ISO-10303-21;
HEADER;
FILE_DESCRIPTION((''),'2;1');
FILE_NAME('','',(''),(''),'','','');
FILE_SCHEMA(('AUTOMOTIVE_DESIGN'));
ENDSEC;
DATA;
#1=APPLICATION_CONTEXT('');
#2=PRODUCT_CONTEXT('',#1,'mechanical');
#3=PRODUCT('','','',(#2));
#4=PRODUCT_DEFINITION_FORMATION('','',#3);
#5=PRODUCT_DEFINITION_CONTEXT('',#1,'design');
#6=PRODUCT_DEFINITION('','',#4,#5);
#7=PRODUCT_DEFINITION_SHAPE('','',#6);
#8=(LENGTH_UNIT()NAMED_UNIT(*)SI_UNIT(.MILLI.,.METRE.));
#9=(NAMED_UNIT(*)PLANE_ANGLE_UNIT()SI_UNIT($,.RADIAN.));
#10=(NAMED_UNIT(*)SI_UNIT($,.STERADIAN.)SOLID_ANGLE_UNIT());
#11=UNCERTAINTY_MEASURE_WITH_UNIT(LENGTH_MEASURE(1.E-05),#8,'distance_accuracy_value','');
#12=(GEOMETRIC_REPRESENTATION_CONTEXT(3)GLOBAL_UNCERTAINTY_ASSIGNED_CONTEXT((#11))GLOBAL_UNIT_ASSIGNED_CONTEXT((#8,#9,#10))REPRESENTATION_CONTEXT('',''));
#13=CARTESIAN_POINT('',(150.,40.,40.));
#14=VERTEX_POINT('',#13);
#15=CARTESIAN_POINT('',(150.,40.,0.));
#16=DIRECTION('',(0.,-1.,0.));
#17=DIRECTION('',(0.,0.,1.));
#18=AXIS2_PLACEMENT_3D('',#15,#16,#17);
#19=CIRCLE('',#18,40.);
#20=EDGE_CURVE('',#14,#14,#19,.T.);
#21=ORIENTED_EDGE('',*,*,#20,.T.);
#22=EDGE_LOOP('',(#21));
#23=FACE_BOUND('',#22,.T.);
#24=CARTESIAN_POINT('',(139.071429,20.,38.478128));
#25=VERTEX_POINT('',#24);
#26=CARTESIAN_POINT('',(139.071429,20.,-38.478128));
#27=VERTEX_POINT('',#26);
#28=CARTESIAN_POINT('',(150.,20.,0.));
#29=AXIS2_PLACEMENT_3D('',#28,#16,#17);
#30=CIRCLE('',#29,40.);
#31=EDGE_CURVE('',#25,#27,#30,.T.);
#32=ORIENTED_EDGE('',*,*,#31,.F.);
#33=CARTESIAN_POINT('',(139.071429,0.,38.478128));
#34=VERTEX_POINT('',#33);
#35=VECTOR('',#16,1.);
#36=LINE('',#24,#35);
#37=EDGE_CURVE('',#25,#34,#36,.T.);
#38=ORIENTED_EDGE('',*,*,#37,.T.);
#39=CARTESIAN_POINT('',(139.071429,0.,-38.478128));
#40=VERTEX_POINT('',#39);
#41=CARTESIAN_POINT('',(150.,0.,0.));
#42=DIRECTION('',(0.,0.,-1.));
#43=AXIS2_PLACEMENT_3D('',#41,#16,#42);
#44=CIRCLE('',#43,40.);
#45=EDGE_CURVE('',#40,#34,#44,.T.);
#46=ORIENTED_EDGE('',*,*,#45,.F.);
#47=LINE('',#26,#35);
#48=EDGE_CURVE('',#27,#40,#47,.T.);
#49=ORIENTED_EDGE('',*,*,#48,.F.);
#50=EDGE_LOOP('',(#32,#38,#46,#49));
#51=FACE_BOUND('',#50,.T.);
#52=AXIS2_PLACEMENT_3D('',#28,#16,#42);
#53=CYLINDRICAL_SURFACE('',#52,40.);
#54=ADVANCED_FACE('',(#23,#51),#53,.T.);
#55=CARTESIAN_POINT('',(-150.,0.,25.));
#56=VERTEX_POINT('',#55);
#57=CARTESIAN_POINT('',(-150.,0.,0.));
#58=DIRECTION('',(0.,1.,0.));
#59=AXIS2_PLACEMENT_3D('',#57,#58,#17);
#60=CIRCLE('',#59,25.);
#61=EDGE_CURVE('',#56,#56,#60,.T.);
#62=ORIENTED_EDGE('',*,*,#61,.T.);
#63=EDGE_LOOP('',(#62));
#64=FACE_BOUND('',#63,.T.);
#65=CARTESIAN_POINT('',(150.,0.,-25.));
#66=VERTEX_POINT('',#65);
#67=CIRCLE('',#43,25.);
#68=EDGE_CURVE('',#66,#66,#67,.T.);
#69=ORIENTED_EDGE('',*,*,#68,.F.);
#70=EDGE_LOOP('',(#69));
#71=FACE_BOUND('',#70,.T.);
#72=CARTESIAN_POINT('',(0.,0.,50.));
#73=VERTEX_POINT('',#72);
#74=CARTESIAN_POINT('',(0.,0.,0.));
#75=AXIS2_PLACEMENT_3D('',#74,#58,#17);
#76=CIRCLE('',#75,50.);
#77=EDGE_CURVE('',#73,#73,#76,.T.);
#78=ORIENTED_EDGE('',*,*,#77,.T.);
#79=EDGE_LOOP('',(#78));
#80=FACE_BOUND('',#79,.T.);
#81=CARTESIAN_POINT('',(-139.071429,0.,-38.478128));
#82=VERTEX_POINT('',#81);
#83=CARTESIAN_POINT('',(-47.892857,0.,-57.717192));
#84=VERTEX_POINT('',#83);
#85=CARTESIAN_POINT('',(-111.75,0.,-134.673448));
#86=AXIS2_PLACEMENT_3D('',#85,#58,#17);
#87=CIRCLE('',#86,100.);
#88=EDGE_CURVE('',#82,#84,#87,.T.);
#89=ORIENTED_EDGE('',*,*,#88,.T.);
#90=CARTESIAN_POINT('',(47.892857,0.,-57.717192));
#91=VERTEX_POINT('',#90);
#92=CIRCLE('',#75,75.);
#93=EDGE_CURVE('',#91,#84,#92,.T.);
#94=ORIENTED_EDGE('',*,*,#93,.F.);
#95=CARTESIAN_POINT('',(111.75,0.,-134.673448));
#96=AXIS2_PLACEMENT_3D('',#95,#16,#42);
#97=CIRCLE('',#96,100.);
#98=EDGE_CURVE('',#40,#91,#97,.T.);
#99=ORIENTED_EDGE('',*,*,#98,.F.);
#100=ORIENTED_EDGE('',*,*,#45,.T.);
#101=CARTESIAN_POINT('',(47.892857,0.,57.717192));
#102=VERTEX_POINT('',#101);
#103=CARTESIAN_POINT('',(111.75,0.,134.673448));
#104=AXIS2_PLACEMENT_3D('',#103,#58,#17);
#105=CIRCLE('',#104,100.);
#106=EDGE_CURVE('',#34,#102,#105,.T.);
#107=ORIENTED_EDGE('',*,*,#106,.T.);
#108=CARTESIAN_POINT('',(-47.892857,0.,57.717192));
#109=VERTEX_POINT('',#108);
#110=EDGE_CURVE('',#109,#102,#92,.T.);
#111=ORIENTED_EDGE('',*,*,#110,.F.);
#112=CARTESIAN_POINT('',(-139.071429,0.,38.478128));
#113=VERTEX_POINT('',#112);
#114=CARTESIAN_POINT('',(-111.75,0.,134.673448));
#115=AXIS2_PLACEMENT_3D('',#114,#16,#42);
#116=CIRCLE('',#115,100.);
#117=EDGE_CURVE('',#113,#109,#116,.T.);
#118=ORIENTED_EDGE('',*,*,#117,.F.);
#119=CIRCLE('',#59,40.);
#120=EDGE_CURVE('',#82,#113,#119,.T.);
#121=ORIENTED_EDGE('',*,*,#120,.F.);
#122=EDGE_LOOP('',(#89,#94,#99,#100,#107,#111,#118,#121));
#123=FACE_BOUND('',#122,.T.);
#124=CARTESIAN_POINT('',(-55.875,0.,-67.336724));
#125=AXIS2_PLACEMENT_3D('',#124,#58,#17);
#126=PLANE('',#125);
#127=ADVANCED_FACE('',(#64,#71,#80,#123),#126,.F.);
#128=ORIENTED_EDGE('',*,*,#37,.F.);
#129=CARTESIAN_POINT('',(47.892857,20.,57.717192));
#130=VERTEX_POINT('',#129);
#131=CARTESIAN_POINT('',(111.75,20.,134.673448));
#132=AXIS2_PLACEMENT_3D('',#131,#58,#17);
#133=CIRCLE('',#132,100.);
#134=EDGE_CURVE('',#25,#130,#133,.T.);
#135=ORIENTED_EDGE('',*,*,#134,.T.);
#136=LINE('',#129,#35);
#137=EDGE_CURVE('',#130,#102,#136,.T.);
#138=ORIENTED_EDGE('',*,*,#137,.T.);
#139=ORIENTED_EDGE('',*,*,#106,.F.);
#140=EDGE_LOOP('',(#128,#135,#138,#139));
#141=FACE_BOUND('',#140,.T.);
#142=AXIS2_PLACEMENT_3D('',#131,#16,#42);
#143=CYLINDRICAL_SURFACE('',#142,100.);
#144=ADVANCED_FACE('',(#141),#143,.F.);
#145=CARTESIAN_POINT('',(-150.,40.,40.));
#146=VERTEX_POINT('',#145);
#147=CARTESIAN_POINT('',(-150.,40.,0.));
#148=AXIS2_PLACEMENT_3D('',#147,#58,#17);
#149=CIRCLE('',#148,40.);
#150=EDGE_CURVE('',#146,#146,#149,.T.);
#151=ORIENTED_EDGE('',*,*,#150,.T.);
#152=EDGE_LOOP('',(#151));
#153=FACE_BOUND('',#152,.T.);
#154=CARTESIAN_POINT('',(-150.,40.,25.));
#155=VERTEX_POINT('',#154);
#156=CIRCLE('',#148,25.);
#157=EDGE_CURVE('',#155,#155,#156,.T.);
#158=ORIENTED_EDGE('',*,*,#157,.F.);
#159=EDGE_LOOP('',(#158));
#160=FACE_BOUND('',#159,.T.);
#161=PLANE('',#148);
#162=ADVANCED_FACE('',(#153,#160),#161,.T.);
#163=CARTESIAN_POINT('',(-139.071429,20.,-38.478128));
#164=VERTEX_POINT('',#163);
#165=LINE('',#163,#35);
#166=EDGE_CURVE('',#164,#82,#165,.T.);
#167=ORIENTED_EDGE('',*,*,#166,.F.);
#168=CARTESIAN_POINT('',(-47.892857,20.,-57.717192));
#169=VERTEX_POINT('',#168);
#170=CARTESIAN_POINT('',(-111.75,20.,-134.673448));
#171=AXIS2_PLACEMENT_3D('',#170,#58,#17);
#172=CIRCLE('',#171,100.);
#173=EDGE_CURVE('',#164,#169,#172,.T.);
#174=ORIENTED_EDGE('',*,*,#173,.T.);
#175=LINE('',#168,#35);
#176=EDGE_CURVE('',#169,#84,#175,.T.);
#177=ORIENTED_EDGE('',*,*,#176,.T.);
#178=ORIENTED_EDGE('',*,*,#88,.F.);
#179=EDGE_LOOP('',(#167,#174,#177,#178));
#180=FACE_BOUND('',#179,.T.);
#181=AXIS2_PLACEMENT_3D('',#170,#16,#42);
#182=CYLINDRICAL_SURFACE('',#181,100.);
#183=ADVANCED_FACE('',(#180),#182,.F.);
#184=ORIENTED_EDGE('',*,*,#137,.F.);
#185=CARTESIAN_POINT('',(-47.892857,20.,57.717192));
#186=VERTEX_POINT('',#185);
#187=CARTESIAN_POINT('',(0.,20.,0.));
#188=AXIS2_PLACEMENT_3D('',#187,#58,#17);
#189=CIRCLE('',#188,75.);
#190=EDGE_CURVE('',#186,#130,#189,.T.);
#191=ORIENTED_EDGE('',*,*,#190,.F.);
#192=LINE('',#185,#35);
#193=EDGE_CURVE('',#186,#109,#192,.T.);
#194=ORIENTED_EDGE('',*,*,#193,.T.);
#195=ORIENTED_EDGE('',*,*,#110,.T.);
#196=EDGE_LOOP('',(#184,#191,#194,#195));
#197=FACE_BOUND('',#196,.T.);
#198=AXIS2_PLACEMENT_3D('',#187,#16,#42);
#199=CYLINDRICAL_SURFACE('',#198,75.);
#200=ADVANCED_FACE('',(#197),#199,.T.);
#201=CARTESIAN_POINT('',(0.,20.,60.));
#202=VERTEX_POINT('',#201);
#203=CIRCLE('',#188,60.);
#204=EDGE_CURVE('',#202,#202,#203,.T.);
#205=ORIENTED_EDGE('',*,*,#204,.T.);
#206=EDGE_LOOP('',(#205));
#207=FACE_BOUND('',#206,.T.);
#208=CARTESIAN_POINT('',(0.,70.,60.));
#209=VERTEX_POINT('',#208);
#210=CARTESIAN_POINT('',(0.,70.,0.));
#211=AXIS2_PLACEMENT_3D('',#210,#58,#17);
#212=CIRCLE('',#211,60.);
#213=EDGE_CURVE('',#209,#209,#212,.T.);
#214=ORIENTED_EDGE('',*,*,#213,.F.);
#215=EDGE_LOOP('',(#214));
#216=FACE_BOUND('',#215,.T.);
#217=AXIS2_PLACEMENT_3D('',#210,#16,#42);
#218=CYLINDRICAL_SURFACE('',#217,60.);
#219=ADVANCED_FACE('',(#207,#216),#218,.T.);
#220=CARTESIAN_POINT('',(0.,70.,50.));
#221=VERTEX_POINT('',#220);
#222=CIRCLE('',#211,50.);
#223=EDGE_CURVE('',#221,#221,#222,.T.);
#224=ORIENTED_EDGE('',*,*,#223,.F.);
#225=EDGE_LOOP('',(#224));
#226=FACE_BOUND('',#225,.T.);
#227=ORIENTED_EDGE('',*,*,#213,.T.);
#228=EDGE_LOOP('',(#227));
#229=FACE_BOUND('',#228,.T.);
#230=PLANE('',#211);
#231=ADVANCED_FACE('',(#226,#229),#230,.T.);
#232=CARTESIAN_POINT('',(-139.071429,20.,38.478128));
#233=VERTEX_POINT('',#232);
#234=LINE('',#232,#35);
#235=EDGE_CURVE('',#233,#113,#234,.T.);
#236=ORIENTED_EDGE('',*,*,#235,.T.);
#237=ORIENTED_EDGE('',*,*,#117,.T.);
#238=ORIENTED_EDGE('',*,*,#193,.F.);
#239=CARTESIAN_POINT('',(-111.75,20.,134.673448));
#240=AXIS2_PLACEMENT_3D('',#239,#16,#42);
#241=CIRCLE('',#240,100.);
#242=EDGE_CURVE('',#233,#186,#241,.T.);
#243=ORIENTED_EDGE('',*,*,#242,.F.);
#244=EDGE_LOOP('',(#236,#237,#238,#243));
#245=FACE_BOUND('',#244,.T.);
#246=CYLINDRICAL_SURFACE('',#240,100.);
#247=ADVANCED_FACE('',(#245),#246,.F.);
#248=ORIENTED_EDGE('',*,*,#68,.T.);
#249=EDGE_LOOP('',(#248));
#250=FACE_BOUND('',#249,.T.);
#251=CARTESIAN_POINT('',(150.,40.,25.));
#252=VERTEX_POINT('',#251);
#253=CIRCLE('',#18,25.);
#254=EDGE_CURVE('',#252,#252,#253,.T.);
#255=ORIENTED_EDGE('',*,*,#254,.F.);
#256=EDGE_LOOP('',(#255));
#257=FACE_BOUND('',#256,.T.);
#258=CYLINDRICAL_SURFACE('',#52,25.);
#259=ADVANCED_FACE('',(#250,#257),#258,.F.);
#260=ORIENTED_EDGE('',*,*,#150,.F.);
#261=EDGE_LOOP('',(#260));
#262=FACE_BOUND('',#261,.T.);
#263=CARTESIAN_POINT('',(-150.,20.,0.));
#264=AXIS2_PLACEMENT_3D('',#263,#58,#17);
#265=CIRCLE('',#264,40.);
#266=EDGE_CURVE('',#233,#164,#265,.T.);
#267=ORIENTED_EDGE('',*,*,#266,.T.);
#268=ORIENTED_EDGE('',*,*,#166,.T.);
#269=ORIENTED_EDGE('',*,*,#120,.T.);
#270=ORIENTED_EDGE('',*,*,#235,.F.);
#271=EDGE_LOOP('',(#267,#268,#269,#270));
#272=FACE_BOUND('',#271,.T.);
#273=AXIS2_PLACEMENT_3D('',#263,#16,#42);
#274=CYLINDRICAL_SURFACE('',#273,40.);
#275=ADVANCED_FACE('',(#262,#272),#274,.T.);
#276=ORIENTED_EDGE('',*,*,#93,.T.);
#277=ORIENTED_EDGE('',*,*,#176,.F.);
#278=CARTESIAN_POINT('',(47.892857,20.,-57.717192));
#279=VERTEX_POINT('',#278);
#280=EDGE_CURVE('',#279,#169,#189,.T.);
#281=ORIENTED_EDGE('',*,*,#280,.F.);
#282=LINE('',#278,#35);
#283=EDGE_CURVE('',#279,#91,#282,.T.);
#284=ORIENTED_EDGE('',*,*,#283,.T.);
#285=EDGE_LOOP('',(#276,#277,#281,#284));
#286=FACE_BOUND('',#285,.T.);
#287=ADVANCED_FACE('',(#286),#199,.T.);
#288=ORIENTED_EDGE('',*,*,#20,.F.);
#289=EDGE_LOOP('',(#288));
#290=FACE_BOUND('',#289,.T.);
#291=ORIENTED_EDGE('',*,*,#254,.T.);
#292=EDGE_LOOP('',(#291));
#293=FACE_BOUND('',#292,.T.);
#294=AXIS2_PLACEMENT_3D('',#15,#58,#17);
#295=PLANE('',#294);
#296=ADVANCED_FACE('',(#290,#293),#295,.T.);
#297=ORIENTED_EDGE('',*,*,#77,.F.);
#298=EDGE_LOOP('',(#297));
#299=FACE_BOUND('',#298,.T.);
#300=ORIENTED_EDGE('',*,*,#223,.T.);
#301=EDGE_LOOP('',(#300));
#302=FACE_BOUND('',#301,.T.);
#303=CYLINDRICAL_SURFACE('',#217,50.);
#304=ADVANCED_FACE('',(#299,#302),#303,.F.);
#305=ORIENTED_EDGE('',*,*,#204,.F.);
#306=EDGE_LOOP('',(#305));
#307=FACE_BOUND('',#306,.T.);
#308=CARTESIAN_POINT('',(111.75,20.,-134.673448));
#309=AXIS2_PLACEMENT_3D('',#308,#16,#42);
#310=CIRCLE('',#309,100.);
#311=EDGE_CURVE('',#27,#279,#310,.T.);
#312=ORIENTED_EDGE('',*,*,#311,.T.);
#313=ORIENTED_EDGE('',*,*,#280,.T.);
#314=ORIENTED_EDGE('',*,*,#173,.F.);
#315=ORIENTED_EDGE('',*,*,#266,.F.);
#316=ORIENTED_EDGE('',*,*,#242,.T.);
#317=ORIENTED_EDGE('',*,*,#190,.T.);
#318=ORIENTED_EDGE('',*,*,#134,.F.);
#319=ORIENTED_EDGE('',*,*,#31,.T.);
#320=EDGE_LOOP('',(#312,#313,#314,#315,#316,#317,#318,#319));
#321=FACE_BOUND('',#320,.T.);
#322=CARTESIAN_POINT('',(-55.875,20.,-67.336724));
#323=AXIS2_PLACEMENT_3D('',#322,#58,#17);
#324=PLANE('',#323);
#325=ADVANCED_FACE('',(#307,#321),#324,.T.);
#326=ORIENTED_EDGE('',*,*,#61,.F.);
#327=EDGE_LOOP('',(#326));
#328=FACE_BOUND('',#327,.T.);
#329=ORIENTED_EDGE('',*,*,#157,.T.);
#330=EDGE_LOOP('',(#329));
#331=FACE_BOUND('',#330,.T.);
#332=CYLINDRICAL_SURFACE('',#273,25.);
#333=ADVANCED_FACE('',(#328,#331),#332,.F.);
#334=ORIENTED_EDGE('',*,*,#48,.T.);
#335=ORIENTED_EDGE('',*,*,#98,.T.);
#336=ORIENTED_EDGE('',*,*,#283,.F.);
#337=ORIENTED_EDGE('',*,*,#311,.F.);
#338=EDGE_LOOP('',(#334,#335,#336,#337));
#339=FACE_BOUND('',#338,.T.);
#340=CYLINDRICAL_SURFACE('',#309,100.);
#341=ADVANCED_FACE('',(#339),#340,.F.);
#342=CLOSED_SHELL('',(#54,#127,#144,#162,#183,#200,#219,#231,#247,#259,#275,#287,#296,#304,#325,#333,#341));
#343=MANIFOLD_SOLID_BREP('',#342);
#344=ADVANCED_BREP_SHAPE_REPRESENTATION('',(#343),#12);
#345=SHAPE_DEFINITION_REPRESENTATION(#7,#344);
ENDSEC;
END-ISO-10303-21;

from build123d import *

# Parameters (mm, degrees)
SKETCH1_R           = 60
SKETCH1_R_2         = 25
BOSS_EXTRUDE2_DEPTH = 20
SKETCH1_7_R         = 60
SKETCH1_7_R_2       = 50
BOSS_EXTRUDE3_DEPTH = 70
SKETCH3_R           = 40
SKETCH3_R_2         = 25
BOSS_EXTRUDE4_DEPTH = 20


with BuildPart() as part:
    # Sketch1 → Boss-Extrude2 (new body)
    with BuildSketch(Plane(origin=(0, 0, 0), x_dir=(1, 0, 0), z_dir=(0, 1, 0))):
        with BuildLine():
            ThreePointArc((-139.071428571, 38.478127898), (-190, 0), (-139.071428571, -38.478127898))
            ThreePointArc((-139.071428571, -38.478127898), (-91.104177178, -36.827906099), (-47.892857143, -57.717191847))
            ThreePointArc((-47.892857143, -57.717191847), (0, -75), (47.892857143, -57.717191847))
            ThreePointArc((47.892857143, -57.717191847), (91.104177178, -36.827906099), (139.071428571, -38.478127898))
            ThreePointArc((139.071428571, -38.478127898), (190, 0), (139.071428571, 38.478127898))
            ThreePointArc((139.071428571, 38.478127898), (91.104177178, 36.827906099), (47.892857143, 57.717191847))
            ThreePointArc((47.892857143, 57.717191847), (0, 75), (-47.892857143, 57.717191847))
            ThreePointArc((-47.892857143, 57.717191847), (-91.104177178, 36.827906099), (-139.071428571, 38.478127898))
        make_face()
        Circle(SKETCH1_R, mode=Mode.SUBTRACT)
        with Locations((-150, 0)):
            Circle(SKETCH1_R_2, mode=Mode.SUBTRACT)
        with Locations((150, 0)):
            Circle(SKETCH1_R_2, mode=Mode.SUBTRACT)
    extrude(amount=BOSS_EXTRUDE2_DEPTH)

    # Sketch1<7> → Boss-Extrude3 (add)
    with BuildSketch(Plane(origin=(0, 0, 0), x_dir=(1, 0, 0), z_dir=(0, 1, 0))):
        Circle(SKETCH1_7_R)
        Circle(SKETCH1_7_R_2, mode=Mode.SUBTRACT)
    extrude(amount=BOSS_EXTRUDE3_DEPTH)

    # Sketch3 → Boss-Extrude4 (add)
    with BuildSketch(Plane(origin=(0, 20, 0), x_dir=(1, 0, 0), z_dir=(0, 1, 0))):
        with Locations((-150, 0)):
            Circle(SKETCH3_R)
        with Locations((-150, 0)):
            Circle(SKETCH3_R_2, mode=Mode.SUBTRACT)
    boss_extrude4 = extrude(amount=BOSS_EXTRUDE4_DEPTH)

    # Mirror1: Boss-Extrude4 across plane
    add(boss_extrude4.mirror(Plane(origin=(0, 0, 0), x_dir=(0, 0, 1), z_dir=(1, 0, 0))))


solid = part.part
